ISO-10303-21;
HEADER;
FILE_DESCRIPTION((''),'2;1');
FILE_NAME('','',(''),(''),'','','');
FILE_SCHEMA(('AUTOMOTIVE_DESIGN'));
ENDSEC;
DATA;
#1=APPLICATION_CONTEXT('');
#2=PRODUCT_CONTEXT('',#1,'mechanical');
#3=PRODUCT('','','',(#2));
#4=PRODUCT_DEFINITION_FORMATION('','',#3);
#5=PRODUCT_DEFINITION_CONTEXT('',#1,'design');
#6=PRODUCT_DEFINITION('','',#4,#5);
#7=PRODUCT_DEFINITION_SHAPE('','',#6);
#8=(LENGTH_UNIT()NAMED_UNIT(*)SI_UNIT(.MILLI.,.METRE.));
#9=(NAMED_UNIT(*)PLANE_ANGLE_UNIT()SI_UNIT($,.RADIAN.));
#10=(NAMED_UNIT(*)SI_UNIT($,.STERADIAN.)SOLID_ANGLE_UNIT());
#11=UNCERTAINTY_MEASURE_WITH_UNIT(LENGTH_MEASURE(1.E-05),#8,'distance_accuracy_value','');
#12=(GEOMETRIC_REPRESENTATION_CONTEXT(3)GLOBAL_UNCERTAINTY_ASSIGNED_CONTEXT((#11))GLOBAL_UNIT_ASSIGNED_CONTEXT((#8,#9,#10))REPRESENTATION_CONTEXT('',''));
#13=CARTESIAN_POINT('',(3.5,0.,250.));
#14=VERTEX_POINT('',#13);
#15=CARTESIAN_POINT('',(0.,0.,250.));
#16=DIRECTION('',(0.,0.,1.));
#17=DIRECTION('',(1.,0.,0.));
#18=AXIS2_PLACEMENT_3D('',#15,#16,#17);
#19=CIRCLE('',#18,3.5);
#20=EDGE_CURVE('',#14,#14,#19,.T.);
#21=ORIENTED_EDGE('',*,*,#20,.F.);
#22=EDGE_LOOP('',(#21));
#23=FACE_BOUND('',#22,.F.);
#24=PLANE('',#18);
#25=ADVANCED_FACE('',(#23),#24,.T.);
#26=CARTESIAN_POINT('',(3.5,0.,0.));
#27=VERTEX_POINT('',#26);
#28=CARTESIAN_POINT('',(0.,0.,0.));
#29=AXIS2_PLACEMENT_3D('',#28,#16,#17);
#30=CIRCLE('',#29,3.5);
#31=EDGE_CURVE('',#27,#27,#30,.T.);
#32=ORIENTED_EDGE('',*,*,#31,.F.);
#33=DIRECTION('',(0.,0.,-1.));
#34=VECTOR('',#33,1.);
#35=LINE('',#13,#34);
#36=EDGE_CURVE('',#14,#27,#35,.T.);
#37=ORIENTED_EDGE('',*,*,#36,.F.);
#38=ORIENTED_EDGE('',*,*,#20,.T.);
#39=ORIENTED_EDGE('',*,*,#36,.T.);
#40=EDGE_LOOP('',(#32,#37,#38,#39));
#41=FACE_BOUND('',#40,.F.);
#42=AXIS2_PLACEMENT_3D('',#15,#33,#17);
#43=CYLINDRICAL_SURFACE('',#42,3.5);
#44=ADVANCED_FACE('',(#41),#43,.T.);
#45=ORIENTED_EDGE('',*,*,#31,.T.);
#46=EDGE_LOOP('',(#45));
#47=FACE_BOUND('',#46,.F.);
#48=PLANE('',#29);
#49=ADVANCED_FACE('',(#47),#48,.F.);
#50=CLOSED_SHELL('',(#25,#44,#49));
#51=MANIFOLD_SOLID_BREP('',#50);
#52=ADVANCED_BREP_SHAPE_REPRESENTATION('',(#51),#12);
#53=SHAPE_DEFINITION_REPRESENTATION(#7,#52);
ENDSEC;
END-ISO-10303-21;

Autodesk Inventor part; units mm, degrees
ref_plane "YZ Plane" through (0, 0, 0) normal (1, 0, 0) x (0, 1, 0)
ref_plane "XZ Plane" through (0, 0, 0) normal (0, 1, 0) x (-1, 0, 0)
ref_plane "XY Plane" through (0, 0, 0) normal (0, 0, 1) x (1, 0, 0)
sketch "Szkic2" plane through (0, 0, 0) normal (0, 1, 0) x (-1, 0, 0)
  line L0 (0, 0) -> (0, 250)
  line L1 (0, 250) -> (-3.5, 250)
  line L2 (-3.5, 250) -> (-3.5, 0)
  line L3 (-3.5, 0) -> (0, 0)
  line L4 (0, 0) -> (0, 0)
  dimension "d4" = 250
  dimension "d5" = 3.5
  dimension "d6" = 250
  dimension "d7" = 90
  dimension "d8" = 3.5
revolve "Obrót1" add sketch "Szkic2" angle 360 about axis through (0, 0, 0) along (0, 0, 1)
properties part number "szpilka"
